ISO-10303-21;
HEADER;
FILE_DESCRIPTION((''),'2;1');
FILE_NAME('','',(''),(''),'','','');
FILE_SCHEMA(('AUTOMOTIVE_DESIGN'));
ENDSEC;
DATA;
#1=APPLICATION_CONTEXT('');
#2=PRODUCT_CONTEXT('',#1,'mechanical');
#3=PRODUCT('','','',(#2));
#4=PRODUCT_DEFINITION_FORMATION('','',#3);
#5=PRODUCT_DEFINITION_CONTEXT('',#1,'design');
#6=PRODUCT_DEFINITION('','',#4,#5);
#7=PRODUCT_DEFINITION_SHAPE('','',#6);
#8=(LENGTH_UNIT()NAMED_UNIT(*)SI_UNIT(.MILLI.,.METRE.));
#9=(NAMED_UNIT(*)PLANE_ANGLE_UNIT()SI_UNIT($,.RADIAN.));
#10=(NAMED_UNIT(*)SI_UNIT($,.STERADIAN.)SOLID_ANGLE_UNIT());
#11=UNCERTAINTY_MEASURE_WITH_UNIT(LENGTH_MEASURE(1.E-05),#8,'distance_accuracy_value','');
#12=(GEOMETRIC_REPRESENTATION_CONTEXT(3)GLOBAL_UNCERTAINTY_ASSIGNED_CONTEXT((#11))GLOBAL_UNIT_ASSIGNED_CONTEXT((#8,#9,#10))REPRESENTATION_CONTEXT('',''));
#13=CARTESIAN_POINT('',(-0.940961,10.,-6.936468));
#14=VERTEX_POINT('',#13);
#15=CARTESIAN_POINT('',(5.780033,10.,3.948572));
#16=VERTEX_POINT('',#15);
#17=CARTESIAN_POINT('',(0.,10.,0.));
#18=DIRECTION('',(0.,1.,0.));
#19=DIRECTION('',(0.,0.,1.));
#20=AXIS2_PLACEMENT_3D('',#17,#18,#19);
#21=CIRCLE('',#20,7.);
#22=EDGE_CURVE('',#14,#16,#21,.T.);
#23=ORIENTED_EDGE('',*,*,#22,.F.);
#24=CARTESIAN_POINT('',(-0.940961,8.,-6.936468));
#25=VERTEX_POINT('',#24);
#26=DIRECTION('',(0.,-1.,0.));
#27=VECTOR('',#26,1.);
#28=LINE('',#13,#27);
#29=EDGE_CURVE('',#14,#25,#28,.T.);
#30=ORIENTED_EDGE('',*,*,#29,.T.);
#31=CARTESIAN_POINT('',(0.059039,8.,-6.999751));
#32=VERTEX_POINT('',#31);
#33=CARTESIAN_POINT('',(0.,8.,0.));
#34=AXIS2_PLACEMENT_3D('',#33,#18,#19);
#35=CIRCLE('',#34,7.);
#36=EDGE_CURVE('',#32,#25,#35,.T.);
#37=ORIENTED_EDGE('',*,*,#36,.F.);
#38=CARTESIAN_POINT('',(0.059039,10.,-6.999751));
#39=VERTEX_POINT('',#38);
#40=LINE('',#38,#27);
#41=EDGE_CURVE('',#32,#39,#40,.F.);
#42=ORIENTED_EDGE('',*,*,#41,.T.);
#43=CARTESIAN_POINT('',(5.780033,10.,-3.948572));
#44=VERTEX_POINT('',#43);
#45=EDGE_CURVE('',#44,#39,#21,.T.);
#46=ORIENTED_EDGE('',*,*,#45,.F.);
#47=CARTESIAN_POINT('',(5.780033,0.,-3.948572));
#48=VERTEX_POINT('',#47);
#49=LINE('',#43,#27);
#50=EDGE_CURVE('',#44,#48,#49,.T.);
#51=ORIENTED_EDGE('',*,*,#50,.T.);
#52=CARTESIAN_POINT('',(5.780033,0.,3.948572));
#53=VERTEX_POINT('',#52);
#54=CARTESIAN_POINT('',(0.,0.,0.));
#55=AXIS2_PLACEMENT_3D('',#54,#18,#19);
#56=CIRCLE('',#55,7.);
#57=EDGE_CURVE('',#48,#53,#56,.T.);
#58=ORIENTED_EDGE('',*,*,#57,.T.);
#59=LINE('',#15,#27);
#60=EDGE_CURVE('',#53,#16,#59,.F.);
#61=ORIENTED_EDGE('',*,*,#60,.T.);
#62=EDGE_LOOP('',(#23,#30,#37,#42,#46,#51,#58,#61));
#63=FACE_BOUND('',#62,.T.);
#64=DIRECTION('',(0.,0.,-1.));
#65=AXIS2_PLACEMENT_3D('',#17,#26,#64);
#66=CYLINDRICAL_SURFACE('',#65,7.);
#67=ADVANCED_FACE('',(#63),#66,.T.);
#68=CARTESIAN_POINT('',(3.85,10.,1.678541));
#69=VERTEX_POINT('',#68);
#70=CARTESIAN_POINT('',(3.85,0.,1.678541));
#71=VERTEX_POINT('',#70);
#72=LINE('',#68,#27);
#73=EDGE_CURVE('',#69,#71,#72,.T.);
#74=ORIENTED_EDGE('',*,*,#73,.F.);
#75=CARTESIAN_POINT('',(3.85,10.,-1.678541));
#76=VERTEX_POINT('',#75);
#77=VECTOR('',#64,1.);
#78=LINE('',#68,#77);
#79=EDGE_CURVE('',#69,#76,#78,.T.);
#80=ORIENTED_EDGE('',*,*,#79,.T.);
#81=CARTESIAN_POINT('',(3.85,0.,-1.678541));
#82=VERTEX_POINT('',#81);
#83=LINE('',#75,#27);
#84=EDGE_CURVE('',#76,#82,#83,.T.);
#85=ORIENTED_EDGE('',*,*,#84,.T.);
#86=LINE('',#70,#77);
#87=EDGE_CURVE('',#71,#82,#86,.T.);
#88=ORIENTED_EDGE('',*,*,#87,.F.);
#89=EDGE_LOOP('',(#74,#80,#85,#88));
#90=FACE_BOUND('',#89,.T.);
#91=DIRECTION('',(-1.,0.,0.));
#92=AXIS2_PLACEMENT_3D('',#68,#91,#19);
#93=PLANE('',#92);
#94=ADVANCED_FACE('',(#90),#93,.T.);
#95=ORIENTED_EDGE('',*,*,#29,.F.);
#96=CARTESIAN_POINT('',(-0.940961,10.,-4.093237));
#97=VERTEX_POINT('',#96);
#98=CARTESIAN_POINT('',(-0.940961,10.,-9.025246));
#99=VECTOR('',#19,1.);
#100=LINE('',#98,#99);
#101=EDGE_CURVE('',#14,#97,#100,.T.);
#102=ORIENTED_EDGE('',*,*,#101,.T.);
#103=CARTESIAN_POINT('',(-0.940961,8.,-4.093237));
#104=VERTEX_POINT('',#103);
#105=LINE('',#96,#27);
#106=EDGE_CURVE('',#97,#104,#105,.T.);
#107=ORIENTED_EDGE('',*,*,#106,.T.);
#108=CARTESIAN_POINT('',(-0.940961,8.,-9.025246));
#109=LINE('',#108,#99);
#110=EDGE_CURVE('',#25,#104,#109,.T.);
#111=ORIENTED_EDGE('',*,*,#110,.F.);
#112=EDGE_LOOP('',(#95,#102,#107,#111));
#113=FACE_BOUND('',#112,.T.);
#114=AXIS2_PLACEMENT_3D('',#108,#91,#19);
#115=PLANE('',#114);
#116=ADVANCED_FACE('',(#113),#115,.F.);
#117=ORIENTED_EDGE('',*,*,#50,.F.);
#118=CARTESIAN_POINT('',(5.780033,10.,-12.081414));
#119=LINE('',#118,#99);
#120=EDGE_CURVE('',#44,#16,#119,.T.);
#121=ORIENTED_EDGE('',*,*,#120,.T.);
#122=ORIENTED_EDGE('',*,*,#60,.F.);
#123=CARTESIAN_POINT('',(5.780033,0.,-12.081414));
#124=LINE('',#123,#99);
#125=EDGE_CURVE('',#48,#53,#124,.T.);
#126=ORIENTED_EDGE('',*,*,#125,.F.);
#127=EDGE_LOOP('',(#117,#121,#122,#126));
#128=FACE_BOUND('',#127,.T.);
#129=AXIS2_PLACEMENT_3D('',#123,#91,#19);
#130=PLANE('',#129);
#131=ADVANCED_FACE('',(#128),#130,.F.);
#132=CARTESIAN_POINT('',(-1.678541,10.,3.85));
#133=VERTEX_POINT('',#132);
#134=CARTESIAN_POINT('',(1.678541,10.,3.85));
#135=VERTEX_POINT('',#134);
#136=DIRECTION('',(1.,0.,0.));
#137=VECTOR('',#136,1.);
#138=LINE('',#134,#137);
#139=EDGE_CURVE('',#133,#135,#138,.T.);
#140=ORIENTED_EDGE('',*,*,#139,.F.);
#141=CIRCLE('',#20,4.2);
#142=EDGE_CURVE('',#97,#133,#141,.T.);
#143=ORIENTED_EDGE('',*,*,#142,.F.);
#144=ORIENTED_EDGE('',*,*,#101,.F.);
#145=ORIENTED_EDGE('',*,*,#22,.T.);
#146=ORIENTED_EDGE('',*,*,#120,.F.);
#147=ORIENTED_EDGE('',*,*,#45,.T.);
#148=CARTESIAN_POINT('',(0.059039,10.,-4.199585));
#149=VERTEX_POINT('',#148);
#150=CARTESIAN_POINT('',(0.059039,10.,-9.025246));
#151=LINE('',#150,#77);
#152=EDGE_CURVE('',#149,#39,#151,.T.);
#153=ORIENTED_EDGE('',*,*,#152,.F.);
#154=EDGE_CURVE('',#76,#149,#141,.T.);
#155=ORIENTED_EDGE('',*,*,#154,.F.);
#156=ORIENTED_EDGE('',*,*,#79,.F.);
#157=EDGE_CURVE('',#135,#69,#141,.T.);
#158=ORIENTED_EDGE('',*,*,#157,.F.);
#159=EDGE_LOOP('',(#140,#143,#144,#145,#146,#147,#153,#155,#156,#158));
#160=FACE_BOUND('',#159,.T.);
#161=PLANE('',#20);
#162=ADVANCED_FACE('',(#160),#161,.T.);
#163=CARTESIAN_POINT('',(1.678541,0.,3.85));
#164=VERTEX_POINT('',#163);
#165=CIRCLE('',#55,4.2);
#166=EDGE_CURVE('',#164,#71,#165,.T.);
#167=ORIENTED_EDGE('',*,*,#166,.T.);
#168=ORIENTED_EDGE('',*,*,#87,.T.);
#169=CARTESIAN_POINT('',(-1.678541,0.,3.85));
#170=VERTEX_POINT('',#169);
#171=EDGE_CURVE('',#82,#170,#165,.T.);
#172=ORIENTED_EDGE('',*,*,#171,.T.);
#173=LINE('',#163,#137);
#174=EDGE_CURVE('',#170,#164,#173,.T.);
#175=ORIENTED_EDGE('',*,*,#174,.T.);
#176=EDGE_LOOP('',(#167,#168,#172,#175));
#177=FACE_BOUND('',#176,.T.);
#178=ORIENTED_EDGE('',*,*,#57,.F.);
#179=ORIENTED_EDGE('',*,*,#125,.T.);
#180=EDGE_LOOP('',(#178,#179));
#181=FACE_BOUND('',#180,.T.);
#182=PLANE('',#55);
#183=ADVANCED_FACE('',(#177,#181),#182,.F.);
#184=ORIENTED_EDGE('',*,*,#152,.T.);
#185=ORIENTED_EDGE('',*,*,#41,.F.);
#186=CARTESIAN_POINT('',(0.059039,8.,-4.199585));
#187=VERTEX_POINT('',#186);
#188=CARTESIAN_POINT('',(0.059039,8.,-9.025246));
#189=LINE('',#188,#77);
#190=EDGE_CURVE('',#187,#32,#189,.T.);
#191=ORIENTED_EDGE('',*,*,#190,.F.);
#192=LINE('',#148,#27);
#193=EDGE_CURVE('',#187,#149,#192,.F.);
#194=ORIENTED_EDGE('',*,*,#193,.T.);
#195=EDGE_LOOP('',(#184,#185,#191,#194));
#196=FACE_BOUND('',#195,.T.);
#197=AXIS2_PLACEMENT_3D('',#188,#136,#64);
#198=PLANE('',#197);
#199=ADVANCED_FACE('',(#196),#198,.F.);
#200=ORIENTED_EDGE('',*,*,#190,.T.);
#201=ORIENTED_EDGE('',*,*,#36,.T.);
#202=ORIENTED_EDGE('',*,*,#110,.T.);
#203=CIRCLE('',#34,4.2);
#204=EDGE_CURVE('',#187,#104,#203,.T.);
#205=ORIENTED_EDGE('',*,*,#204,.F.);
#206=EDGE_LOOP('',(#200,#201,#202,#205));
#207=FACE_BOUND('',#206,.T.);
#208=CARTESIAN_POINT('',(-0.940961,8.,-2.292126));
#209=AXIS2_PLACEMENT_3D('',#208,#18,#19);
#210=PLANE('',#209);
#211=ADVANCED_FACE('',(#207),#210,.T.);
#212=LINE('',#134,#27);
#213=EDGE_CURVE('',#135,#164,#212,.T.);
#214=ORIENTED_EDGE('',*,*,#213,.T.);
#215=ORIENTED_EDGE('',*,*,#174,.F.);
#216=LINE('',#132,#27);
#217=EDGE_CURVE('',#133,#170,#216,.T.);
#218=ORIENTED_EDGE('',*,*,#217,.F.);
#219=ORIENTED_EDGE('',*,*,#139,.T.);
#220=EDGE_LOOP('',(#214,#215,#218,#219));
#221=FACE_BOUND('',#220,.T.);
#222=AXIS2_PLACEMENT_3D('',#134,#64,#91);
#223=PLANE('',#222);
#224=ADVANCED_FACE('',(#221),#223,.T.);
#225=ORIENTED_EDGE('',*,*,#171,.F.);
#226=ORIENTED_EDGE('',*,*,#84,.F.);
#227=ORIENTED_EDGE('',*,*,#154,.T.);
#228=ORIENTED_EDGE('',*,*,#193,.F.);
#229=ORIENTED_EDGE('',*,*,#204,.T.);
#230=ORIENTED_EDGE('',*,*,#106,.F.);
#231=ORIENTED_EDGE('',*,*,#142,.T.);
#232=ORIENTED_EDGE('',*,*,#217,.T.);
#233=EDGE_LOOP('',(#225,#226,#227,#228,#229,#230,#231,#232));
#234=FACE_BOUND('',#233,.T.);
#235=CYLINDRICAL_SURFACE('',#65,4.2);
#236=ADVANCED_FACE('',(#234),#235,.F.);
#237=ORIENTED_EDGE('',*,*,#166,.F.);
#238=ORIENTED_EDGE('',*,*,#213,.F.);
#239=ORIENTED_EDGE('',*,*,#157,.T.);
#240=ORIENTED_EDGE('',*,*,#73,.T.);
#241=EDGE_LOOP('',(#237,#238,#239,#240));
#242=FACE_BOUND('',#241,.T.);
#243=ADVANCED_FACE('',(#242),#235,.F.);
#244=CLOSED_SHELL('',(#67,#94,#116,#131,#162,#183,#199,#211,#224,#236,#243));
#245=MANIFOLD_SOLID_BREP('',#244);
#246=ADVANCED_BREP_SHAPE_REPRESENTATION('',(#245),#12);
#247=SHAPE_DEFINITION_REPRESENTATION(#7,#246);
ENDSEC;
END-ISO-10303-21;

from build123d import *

# Parameters (mm, degrees)
SKETCH_1_R          = 7
EXTRUDE_1_DEPTH     = 10
SKETCH_2_R          = 7
EXTRUDE_2_DEPTH     = 5
SKETCH_3_R          = 7
EXTRUDE_3_DEPTH     = 5
SKETCH_4_W          = 1
SKETCH_4_H          = 6.733120112
SKETCH_4_H_2        = 7.353904236
CUT_EXTRUDE_7_DEPTH = 2
SKETCH_5_W          = 27.756401141
SKETCH_5_H          = 22.395981082
CUT_EXTRUDE_8_DEPTH = 10


with BuildPart() as part:
    # Эскиз1 → Вытянуть1 (new body)
    with BuildSketch(Plane(origin=(0, 0, 0), x_dir=(1, 0, 0), z_dir=(0, 1, 0))):
        with Locations(Location((0, 0, 0), (0, 0, 270))):
            Circle(SKETCH_1_R)
        with BuildLine():
            Line((3.85, -1.678541033), (3.85, 1.678541033))
            ThreePointArc((3.85, 1.678541033), (-2.969848481, 2.969848481), (-1.678541033, -3.85))
            Line((-1.678541033, -3.85), (1.678541033, -3.85))
            ThreePointArc((1.678541033, -3.85), (2.969848481, -2.969848481), (3.85, -1.678541033))
        make_face(mode=Mode.SUBTRACT)
    extrude(amount=EXTRUDE_1_DEPTH)

    # Эскиз2 → Вытянуть2 (add)
    with BuildSketch(Plane(origin=(0, 0, 0), x_dir=(1, 0, 0), z_dir=(0, 1, 0))):
        with Locations((12, 0)):
            Circle(SKETCH_2_R)
        with BuildLine():
            Line((15.9, 1.558845727), (15.9, -1.558845727))
            ThreePointArc((15.9, -1.558845727), (14.969848481, -2.969848481), (13.558845727, -3.9))
            Line((13.558845727, -3.9), (10.441154273, -3.9))
            ThreePointArc((10.441154273, -3.9), (9.030151519, 2.969848481), (15.9, 1.558845727))
        make_face(mode=Mode.SUBTRACT)
    extrude(amount=EXTRUDE_2_DEPTH)

    # Эскиз3 → Вытянуть3 (add)
    with BuildSketch(Plane(origin=(0, 0, 0), x_dir=(1, 0, 0), z_dir=(0, 1, 0))):
        with Locations((24, 0)):
            Circle(SKETCH_3_R)
        with BuildLine():
            Line((27.8, 1.846787752), (27.8, -1.846787752))
            ThreePointArc((27.8, -1.846787752), (26.987526151, -2.987526151), (25.846787752, -3.8))
            Line((25.846787752, -3.8), (22.153212248, -3.8))
            ThreePointArc((22.153212248, -3.8), (21.012473849, 2.987526151), (27.8, 1.846787752))
        make_face(mode=Mode.SUBTRACT)
    extrude(amount=EXTRUDE_3_DEPTH)

    # Эскиз4 → Вытянуть7 (cut)
    with BuildSketch(Plane(origin=(0, 10, 0), x_dir=(1, 0, 0), z_dir=(0, 1, 0))):
        with Locations((-0.44096135, 5.658686052)):
            Rectangle(SKETCH_4_W, SKETCH_4_H)
        with Locations((11.258431752, 5.34829399)):
            Rectangle(SKETCH_4_W, SKETCH_4_H_2)
        with Locations((13.407299873, 5.34829399)):
            Rectangle(SKETCH_4_W, SKETCH_4_H_2)
    extrude(amount=-CUT_EXTRUDE_7_DEPTH, mode=Mode.SUBTRACT)

    # Эскиз5 → Вытянуть8 (cut)
    with BuildSketch(Plane(origin=(0, 10, 0), x_dir=(1, 0, 0), z_dir=(0, 1, 0))):
        with Locations((19.658233263, 0.883423561)):
            Rectangle(SKETCH_5_W, SKETCH_5_H)
    extrude(amount=-CUT_EXTRUDE_8_DEPTH, mode=Mode.SUBTRACT)


solid = part.part
